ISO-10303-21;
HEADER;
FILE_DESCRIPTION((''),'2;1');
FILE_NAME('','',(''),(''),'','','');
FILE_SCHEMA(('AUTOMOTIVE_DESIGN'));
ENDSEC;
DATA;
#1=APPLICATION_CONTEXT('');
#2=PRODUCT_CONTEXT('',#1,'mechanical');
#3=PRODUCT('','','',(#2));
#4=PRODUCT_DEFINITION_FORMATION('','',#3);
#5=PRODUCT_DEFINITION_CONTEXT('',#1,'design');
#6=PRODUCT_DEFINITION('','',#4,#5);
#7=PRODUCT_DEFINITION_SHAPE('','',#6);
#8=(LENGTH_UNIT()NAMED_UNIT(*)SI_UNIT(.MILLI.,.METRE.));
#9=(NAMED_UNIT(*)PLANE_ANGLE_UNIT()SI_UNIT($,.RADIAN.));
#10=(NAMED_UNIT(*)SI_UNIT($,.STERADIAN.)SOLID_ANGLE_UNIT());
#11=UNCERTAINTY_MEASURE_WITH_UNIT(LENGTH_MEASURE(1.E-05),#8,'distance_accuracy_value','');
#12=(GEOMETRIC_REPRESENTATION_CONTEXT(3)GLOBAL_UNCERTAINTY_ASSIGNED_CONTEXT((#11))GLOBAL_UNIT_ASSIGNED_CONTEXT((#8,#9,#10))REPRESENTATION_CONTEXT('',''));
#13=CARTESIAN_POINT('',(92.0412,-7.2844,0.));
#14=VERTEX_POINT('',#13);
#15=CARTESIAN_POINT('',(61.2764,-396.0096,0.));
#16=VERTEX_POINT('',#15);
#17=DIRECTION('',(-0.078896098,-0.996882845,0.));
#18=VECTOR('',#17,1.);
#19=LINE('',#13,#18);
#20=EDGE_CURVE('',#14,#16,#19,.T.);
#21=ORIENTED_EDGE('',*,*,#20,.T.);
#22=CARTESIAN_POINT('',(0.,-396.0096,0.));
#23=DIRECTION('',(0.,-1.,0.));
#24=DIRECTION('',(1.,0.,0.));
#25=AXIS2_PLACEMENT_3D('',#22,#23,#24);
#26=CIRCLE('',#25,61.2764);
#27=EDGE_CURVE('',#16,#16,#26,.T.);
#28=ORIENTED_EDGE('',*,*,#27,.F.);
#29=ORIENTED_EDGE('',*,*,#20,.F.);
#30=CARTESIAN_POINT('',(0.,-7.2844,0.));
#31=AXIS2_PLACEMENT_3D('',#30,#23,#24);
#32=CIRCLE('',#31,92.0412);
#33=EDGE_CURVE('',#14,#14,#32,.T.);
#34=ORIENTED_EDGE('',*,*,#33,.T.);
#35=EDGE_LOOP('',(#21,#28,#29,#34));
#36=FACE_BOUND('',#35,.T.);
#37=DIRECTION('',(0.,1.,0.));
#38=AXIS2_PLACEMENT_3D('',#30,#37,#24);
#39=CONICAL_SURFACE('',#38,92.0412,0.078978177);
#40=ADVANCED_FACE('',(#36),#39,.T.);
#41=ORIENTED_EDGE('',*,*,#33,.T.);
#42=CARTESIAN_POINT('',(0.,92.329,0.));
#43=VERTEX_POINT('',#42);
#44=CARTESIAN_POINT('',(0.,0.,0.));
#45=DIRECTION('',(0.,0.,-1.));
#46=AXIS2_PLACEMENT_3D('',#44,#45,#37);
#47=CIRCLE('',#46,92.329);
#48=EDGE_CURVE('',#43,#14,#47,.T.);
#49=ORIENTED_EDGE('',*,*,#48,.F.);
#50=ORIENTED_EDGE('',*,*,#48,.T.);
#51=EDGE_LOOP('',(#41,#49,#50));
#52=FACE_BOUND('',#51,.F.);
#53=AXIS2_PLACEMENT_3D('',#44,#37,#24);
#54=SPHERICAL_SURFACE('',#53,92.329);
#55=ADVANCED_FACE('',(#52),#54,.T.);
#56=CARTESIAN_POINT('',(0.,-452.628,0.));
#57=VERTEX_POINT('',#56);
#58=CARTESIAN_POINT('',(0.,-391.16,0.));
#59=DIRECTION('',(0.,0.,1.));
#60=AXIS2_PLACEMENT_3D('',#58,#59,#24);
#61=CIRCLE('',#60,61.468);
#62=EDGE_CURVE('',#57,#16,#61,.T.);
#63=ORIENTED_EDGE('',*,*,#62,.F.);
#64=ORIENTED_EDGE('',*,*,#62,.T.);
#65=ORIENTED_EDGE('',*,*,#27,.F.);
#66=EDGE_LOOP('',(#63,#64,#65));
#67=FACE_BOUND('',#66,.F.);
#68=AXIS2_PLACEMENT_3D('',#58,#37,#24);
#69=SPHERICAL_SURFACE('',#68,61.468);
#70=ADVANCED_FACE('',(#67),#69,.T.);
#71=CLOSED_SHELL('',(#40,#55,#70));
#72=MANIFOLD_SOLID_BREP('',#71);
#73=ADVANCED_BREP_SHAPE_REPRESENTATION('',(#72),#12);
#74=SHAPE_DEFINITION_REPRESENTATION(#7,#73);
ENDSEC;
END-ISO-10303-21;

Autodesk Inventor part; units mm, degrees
ref_plane "YZ Plane" through (0, 0, 0) normal (1, 0, 0) x (0, 1, 0)
ref_plane "XZ Plane" through (0, 0, 0) normal (0, 1, 0) x (-1, 0, 0)
ref_plane "XY Plane" through (0, 0, 0) normal (0, 0, 1) x (1, 0, 0)
sketch "Sketch1" plane through (0, 0, 0) normal (0, 0, 1) x (1, 0, 0)
  circle A0 centre (0, 0) radius 92.329
  circle A1 centre (0, -391.16) radius 61.468
  line L0 (0, 92.329) -> (0, -452.628)
  line L1 (92.0412, -7.2844) -> (61.2764, -396.0096)
  dimension "d16" = 391.16
  dimension "d17" = 184.658
  dimension "d18" = 122.936
revolve "Revolution1" add sketch "Sketch1" angle 360 about axis through (0, 92.329, 0) along (0, -1, 0) picked at (24.5341, 22.9459) picked at (20.0187, -411.9129) contours A0 L0 | L1 A1 L0 A0 | A1 L0
equation "\"d16\" = PELVIS_TO_KNEE"
equation "\"d17\" = LEG_TOP_THK"
equation "\"d18\" = KNEE_THK"
equation "\"PELVIS_TO_KNEE\" = 391.16"
equation "\"LEG_TOP_THK\" = 184.658"
equation "\"KNEE_THK\" = 122.936"
properties part number "3D HUMAN"
